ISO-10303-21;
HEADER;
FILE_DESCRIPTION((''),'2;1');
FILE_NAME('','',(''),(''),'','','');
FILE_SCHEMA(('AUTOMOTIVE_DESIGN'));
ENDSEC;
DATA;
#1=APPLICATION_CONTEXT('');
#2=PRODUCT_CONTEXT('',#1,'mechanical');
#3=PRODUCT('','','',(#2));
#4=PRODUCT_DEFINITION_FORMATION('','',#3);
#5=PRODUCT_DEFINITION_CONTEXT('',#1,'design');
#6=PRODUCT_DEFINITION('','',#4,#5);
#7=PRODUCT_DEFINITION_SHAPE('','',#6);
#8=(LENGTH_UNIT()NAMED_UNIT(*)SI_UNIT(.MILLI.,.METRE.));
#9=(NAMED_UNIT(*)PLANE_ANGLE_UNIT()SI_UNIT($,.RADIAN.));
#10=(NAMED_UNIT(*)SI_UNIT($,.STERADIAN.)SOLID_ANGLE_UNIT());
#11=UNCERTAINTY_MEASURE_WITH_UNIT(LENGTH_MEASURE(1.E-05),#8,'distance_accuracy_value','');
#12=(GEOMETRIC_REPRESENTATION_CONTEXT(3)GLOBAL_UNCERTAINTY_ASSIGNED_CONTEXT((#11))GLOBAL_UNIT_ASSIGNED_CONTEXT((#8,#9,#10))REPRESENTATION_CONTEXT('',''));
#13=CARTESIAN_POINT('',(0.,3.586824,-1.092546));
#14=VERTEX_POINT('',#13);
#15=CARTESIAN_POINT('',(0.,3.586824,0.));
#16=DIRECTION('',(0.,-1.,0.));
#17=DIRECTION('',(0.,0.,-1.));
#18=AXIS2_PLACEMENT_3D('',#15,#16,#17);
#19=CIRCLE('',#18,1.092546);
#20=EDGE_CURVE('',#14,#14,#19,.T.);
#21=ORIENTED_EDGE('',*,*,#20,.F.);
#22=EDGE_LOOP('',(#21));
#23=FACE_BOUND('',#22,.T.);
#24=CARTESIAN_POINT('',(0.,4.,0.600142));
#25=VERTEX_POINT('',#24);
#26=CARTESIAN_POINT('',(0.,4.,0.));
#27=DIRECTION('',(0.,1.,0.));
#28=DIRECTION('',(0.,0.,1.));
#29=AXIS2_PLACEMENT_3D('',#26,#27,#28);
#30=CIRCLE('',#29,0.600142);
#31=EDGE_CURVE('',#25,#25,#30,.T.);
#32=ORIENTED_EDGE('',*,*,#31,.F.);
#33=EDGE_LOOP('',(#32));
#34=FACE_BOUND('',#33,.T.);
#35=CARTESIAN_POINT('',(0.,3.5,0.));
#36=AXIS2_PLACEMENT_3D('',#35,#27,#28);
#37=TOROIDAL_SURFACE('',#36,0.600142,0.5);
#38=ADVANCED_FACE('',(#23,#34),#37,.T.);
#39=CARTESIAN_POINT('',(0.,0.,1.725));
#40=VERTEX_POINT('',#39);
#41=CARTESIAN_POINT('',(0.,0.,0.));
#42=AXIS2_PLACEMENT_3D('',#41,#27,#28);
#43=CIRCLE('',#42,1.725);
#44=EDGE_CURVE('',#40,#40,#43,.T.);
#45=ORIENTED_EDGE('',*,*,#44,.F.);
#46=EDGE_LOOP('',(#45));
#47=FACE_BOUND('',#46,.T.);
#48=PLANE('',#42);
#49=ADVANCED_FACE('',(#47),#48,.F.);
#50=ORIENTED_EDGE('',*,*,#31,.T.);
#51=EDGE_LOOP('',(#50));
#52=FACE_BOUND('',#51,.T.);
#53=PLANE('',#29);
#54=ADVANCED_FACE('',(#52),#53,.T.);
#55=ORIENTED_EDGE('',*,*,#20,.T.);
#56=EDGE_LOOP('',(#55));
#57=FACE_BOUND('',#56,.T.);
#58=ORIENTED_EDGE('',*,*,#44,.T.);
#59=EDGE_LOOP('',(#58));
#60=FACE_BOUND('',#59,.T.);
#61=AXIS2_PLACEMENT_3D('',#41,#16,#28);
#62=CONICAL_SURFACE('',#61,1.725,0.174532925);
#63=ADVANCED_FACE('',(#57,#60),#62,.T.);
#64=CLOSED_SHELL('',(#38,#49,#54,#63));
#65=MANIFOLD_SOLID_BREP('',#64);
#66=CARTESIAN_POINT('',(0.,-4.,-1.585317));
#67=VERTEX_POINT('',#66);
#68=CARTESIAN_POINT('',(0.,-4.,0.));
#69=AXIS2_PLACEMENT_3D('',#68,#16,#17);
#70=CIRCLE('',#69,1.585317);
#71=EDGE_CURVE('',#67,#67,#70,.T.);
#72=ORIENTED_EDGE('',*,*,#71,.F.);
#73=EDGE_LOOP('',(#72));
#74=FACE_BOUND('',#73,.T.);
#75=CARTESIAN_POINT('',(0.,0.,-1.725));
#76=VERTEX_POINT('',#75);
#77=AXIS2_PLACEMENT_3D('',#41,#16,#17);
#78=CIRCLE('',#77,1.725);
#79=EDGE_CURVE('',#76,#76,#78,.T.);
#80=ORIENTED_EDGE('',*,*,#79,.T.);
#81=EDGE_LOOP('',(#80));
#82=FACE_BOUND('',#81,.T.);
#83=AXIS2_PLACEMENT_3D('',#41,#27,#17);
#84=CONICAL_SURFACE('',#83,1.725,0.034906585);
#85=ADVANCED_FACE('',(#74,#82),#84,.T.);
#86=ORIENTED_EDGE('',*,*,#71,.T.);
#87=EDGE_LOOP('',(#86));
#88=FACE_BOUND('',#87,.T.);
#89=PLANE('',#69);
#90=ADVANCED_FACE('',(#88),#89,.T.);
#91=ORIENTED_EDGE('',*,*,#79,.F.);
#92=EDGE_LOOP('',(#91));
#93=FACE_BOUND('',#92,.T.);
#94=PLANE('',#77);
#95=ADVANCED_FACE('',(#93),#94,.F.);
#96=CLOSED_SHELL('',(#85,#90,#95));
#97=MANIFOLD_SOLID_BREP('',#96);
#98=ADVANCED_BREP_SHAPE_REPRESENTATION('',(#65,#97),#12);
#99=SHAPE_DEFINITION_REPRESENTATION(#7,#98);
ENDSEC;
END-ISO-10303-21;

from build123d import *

# Parameters (mm, degrees)
SKETCH1_R           = 1.725
BOSS_EXTRUDE1_DEPTH = 4
BOSS_EXTRUDE1_TAPER = 10
SKETCH2_R           = 1.725
BOSS_EXTRUDE2_DEPTH = 4
BOSS_EXTRUDE2_TAPER = 2
FILLET5_R           = 0.5


with BuildPart() as part:
    # Sketch1 → Boss-Extrude1 (new body)
    with BuildSketch(Plane(origin=(0, 0, 0), x_dir=(1, 0, 0), z_dir=(0, 1, 0))):
        Circle(SKETCH1_R)
    extrude(amount=BOSS_EXTRUDE1_DEPTH, taper=BOSS_EXTRUDE1_TAPER)

    # Fillet5
    fillet5_edges = [part.edges().sort_by_distance(p)[0] for p in [
        (-1.019692077, 4, 0),
    ]]
    fillet(fillet5_edges, radius=FILLET5_R)


with BuildPart() as body_2:
    # Sketch2 → Boss-Extrude2 (new body)
    with BuildSketch(Plane.XZ):
        Circle(SKETCH2_R)
    extrude(amount=BOSS_EXTRUDE2_DEPTH, taper=BOSS_EXTRUDE2_TAPER)


solid = Compound([part.part, body_2.part])
